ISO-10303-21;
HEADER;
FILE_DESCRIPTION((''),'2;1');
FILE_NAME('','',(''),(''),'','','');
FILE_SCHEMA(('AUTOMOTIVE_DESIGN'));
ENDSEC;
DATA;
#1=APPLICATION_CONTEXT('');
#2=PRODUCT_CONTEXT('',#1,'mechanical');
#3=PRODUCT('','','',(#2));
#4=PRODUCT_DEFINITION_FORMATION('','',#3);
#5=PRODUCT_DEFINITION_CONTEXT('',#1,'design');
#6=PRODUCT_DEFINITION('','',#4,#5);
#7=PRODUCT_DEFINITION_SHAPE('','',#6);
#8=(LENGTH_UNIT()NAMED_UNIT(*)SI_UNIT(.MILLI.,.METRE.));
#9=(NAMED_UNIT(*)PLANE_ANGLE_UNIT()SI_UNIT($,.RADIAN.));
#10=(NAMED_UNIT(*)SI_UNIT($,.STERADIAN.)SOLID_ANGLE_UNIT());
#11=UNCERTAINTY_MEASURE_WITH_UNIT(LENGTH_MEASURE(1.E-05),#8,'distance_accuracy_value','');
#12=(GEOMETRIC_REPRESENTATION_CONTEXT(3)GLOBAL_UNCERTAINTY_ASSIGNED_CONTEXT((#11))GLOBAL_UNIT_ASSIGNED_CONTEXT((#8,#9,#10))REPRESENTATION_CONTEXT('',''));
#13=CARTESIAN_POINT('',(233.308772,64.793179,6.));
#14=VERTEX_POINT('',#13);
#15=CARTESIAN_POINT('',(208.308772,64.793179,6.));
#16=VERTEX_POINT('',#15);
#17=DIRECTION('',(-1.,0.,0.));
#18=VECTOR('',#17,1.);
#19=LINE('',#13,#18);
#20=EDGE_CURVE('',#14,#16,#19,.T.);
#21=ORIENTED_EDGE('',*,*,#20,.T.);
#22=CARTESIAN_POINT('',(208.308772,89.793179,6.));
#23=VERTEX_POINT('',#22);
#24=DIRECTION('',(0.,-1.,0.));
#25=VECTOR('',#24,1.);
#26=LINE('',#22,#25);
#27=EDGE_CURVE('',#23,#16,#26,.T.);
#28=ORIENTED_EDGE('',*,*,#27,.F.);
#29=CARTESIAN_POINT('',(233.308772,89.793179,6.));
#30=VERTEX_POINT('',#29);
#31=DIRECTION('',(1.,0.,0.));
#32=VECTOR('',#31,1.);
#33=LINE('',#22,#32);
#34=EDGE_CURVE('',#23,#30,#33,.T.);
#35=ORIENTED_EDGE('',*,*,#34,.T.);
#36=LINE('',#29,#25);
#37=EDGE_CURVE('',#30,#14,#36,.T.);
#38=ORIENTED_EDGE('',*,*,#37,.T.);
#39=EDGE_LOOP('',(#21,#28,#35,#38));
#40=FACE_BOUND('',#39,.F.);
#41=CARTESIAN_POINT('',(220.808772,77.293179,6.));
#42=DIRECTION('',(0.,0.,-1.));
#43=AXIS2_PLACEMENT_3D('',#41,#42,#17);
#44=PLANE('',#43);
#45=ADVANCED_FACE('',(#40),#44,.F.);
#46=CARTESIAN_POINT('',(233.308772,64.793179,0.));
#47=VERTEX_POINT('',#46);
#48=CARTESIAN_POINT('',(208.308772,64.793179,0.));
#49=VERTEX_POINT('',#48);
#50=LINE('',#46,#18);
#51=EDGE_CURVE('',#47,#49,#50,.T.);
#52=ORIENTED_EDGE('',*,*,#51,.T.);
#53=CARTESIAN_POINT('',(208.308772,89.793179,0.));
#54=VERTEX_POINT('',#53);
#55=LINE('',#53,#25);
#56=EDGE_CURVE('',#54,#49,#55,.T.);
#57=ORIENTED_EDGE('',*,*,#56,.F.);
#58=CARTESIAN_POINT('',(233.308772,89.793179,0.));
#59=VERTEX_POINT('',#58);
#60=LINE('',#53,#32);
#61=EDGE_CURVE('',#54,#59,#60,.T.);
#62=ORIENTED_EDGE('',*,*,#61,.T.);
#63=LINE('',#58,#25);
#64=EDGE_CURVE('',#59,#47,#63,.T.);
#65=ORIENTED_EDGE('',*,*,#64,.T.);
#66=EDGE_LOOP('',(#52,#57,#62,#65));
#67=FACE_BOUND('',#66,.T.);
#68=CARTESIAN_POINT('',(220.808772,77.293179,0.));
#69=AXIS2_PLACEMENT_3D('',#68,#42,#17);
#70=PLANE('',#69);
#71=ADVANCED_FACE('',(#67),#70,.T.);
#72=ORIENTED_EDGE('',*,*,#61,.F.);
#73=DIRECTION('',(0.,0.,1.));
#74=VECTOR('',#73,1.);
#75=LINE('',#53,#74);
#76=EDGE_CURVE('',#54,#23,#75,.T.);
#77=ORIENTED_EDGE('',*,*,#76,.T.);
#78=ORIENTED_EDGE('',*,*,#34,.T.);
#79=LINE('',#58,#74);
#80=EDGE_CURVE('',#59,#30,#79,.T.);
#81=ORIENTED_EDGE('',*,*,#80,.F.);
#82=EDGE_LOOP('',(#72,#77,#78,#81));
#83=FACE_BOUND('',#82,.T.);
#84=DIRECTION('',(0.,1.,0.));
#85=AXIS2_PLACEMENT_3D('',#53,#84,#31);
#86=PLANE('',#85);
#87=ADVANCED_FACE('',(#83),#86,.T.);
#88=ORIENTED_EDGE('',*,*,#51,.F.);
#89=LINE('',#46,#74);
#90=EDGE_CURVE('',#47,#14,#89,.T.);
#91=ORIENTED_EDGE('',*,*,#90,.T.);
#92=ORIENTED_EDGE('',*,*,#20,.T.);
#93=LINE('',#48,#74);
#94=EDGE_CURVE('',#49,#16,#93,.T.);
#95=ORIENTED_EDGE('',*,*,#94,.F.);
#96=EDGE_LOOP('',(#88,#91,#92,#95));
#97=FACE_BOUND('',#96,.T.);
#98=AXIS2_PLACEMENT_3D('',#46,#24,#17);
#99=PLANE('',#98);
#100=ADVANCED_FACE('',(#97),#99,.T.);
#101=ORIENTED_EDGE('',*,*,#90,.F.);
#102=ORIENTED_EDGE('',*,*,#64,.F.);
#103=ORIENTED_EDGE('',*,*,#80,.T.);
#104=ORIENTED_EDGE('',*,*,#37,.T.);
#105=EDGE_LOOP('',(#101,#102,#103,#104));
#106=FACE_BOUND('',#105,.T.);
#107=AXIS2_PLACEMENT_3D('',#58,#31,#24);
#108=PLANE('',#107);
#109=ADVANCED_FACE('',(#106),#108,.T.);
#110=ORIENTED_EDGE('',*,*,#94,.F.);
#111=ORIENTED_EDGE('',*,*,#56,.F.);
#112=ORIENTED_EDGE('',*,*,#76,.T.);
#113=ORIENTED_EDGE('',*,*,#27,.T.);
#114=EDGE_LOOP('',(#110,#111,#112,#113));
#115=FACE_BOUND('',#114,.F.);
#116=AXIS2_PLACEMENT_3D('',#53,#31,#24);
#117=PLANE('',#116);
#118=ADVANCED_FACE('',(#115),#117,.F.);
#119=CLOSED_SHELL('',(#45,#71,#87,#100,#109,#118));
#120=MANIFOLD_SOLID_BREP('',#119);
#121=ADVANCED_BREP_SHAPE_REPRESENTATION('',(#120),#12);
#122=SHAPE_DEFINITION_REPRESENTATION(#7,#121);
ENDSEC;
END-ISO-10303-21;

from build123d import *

# Parameters (mm, degrees)
EXTRUDE_1_DEPTH = 6


with BuildPart() as part:
    # 草图1 → 凸台-拉伸1 (new body)
    with BuildSketch(Plane.XY):
        Polygon((208.308771729, 77.293179349), (208.308771729, 89.793179349), (233.308771729, 89.793179349), (233.308771729, 64.793179349), (208.308771729, 64.793179349), align=None)
    extrude(amount=EXTRUDE_1_DEPTH)


solid = part.part
